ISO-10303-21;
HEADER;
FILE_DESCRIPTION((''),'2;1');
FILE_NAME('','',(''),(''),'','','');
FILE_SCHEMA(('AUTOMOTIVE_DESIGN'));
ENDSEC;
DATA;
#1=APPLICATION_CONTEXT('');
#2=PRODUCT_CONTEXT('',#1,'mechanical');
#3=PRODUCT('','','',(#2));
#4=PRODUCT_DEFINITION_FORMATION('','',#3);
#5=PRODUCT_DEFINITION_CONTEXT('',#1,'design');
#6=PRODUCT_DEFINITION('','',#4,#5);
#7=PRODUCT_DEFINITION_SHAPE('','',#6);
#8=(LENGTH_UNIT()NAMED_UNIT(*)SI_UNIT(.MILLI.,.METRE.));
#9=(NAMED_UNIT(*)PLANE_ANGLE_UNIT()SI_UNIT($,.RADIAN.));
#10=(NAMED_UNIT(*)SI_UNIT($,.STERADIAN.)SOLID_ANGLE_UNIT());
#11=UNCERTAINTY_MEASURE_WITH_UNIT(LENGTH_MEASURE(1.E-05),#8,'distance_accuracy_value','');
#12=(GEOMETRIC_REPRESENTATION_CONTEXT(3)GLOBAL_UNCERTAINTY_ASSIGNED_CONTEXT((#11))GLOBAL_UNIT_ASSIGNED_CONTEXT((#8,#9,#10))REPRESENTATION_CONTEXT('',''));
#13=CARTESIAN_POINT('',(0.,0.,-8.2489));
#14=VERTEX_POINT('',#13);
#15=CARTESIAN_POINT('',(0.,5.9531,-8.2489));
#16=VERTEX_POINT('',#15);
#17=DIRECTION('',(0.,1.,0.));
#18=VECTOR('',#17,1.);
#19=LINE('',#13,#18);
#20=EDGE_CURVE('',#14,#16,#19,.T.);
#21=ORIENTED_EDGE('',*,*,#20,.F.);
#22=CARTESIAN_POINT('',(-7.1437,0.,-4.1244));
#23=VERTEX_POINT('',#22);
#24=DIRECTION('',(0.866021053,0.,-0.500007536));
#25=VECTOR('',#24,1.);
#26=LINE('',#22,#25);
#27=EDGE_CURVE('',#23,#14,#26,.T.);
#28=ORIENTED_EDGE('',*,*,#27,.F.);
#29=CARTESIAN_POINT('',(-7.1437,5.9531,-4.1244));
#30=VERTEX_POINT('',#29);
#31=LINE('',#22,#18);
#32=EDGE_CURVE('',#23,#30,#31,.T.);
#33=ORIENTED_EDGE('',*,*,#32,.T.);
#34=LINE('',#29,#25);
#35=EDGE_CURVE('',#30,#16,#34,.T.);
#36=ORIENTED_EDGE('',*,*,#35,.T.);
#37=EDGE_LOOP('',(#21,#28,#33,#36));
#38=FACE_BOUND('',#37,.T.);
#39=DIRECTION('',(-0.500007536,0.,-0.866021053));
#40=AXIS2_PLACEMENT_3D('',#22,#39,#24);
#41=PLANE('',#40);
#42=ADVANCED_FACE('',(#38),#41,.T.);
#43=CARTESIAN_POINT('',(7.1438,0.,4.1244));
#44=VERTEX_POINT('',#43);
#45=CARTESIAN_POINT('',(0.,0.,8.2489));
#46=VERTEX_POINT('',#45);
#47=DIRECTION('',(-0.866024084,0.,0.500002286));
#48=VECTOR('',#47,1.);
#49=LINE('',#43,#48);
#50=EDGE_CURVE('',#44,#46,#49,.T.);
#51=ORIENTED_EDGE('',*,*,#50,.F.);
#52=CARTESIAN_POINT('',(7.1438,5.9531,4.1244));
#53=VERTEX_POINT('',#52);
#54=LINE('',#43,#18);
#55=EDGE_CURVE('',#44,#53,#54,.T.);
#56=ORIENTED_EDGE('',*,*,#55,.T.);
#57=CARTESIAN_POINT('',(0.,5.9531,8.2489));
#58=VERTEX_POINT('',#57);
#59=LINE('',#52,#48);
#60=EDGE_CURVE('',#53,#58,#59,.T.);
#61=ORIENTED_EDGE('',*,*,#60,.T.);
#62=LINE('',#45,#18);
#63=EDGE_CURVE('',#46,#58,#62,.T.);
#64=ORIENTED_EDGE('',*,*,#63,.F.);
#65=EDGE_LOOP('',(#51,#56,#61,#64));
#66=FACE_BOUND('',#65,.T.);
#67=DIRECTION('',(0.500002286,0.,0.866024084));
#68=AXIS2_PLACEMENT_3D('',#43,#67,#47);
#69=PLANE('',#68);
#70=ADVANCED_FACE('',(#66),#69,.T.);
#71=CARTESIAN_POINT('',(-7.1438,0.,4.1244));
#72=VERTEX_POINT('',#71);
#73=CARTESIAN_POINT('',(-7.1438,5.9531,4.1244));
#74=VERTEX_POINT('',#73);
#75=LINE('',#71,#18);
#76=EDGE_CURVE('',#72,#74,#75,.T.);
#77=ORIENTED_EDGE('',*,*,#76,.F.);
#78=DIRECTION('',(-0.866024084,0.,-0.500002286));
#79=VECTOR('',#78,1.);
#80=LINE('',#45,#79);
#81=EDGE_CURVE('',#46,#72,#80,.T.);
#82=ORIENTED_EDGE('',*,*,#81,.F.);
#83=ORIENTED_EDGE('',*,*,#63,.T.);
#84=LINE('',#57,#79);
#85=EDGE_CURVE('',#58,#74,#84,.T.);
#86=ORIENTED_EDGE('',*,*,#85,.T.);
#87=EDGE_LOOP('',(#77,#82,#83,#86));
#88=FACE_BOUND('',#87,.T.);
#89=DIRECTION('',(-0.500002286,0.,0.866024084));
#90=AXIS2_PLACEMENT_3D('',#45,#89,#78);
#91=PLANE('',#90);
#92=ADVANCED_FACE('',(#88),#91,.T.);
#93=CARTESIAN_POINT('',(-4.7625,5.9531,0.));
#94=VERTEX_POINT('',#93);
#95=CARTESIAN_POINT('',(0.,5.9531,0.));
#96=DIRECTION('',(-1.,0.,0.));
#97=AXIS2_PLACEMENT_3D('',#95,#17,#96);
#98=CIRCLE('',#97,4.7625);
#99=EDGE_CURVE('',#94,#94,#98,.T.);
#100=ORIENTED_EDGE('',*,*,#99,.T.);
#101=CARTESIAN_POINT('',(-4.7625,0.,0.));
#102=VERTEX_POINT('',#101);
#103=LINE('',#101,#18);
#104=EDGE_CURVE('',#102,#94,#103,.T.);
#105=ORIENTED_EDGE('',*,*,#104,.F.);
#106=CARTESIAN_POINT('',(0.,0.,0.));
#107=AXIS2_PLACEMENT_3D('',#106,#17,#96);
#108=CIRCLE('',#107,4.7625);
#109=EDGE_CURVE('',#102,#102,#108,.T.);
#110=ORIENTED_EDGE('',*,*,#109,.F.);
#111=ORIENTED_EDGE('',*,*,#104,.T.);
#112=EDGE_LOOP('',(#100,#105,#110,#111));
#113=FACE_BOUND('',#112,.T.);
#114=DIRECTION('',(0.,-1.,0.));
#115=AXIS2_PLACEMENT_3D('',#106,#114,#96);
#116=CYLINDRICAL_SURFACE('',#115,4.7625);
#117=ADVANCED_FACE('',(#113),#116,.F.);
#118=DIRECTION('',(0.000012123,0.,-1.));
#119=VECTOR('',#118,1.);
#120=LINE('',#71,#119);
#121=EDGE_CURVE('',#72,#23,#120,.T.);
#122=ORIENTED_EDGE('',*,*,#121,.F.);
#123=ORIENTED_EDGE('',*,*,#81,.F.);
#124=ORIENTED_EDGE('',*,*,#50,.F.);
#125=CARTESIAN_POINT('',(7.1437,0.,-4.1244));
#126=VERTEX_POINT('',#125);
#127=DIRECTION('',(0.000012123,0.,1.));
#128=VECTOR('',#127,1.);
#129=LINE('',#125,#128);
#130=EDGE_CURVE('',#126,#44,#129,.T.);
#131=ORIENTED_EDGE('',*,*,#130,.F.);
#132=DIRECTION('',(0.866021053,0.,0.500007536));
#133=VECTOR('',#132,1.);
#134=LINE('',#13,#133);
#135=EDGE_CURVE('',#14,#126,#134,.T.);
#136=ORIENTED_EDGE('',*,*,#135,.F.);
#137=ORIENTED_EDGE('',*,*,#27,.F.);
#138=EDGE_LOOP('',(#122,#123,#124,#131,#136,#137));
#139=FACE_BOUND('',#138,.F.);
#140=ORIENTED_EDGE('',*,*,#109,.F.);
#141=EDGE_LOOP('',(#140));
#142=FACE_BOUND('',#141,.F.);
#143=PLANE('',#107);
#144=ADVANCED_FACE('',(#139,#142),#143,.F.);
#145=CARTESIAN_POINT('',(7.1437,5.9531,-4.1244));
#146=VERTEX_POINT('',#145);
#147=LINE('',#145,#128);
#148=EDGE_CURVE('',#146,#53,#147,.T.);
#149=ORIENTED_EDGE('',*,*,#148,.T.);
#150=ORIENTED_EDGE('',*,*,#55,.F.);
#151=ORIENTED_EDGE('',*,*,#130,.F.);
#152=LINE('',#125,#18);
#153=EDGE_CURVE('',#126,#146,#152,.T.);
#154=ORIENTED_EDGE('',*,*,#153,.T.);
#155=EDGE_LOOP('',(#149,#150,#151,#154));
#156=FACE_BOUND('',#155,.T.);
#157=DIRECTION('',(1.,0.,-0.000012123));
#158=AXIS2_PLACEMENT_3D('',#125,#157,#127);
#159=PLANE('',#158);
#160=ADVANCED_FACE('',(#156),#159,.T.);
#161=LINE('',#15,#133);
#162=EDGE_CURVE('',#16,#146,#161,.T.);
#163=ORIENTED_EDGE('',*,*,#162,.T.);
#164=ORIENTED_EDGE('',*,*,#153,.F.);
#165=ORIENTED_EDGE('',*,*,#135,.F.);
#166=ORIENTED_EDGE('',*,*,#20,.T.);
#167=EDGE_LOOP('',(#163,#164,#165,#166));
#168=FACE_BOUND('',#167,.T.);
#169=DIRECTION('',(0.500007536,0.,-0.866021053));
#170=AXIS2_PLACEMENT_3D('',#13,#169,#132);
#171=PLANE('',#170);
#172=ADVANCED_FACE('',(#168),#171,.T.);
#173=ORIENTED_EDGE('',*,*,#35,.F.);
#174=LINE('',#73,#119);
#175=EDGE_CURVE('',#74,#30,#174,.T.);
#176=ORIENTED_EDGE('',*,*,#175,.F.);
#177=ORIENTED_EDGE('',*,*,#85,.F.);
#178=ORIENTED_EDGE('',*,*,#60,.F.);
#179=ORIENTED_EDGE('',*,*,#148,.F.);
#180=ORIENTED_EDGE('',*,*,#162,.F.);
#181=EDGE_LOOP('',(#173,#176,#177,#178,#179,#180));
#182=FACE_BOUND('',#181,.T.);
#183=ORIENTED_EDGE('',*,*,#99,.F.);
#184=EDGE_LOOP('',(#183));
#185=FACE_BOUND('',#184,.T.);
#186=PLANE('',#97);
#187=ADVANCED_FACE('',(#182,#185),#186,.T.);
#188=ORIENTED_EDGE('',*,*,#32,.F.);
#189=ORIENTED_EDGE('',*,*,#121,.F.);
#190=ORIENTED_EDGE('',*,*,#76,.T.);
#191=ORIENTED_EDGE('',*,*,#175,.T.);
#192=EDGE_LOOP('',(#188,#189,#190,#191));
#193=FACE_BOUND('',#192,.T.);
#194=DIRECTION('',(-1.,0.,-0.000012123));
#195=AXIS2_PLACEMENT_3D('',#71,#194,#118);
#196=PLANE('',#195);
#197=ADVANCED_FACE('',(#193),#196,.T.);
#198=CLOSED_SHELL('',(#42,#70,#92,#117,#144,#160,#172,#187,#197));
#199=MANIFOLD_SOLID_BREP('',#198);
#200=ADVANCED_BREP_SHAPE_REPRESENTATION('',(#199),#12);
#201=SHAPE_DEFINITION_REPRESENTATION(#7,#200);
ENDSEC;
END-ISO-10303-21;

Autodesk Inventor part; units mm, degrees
ref_plane "YZ Plane" through (0, 0, 0) normal (1, 0, 0) x (0, 1, 0)
ref_plane "XZ Plane" through (0, 0, 0) normal (0, 1, 0) x (-1, 0, 0)
ref_plane "XY Plane" through (0, 0, 0) normal (0, 0, 1) x (1, 0, 0)
sketch "Sketch1" plane through (0, 0, 0) normal (0, 1, 0) x (-1, 0, 0)
  line L0 (7.1437, -4.1244) -> (0, -8.2489)
  line L1 (0, -8.2489) -> (-7.1437, -4.1244)
  line L2 (-7.1437, -4.1244) -> (-7.1438, 4.1244)
  line L3 (-7.1438, 4.1244) -> (0, 8.2489)
  line L4 (0, 8.2489) -> (7.1438, 4.1244)
  line L5 (7.1438, 4.1244) -> (7.1437, -4.1244)
  circle A0 centre (0, 0) radius 4.7625
  dimension "d0" = 14.2875
  dimension "d1" = 9.525
extrude "Extrusion1" add sketch "Sketch1" along normal blind 5.9531
properties part number "half-inch hex nut" material "Steel"
